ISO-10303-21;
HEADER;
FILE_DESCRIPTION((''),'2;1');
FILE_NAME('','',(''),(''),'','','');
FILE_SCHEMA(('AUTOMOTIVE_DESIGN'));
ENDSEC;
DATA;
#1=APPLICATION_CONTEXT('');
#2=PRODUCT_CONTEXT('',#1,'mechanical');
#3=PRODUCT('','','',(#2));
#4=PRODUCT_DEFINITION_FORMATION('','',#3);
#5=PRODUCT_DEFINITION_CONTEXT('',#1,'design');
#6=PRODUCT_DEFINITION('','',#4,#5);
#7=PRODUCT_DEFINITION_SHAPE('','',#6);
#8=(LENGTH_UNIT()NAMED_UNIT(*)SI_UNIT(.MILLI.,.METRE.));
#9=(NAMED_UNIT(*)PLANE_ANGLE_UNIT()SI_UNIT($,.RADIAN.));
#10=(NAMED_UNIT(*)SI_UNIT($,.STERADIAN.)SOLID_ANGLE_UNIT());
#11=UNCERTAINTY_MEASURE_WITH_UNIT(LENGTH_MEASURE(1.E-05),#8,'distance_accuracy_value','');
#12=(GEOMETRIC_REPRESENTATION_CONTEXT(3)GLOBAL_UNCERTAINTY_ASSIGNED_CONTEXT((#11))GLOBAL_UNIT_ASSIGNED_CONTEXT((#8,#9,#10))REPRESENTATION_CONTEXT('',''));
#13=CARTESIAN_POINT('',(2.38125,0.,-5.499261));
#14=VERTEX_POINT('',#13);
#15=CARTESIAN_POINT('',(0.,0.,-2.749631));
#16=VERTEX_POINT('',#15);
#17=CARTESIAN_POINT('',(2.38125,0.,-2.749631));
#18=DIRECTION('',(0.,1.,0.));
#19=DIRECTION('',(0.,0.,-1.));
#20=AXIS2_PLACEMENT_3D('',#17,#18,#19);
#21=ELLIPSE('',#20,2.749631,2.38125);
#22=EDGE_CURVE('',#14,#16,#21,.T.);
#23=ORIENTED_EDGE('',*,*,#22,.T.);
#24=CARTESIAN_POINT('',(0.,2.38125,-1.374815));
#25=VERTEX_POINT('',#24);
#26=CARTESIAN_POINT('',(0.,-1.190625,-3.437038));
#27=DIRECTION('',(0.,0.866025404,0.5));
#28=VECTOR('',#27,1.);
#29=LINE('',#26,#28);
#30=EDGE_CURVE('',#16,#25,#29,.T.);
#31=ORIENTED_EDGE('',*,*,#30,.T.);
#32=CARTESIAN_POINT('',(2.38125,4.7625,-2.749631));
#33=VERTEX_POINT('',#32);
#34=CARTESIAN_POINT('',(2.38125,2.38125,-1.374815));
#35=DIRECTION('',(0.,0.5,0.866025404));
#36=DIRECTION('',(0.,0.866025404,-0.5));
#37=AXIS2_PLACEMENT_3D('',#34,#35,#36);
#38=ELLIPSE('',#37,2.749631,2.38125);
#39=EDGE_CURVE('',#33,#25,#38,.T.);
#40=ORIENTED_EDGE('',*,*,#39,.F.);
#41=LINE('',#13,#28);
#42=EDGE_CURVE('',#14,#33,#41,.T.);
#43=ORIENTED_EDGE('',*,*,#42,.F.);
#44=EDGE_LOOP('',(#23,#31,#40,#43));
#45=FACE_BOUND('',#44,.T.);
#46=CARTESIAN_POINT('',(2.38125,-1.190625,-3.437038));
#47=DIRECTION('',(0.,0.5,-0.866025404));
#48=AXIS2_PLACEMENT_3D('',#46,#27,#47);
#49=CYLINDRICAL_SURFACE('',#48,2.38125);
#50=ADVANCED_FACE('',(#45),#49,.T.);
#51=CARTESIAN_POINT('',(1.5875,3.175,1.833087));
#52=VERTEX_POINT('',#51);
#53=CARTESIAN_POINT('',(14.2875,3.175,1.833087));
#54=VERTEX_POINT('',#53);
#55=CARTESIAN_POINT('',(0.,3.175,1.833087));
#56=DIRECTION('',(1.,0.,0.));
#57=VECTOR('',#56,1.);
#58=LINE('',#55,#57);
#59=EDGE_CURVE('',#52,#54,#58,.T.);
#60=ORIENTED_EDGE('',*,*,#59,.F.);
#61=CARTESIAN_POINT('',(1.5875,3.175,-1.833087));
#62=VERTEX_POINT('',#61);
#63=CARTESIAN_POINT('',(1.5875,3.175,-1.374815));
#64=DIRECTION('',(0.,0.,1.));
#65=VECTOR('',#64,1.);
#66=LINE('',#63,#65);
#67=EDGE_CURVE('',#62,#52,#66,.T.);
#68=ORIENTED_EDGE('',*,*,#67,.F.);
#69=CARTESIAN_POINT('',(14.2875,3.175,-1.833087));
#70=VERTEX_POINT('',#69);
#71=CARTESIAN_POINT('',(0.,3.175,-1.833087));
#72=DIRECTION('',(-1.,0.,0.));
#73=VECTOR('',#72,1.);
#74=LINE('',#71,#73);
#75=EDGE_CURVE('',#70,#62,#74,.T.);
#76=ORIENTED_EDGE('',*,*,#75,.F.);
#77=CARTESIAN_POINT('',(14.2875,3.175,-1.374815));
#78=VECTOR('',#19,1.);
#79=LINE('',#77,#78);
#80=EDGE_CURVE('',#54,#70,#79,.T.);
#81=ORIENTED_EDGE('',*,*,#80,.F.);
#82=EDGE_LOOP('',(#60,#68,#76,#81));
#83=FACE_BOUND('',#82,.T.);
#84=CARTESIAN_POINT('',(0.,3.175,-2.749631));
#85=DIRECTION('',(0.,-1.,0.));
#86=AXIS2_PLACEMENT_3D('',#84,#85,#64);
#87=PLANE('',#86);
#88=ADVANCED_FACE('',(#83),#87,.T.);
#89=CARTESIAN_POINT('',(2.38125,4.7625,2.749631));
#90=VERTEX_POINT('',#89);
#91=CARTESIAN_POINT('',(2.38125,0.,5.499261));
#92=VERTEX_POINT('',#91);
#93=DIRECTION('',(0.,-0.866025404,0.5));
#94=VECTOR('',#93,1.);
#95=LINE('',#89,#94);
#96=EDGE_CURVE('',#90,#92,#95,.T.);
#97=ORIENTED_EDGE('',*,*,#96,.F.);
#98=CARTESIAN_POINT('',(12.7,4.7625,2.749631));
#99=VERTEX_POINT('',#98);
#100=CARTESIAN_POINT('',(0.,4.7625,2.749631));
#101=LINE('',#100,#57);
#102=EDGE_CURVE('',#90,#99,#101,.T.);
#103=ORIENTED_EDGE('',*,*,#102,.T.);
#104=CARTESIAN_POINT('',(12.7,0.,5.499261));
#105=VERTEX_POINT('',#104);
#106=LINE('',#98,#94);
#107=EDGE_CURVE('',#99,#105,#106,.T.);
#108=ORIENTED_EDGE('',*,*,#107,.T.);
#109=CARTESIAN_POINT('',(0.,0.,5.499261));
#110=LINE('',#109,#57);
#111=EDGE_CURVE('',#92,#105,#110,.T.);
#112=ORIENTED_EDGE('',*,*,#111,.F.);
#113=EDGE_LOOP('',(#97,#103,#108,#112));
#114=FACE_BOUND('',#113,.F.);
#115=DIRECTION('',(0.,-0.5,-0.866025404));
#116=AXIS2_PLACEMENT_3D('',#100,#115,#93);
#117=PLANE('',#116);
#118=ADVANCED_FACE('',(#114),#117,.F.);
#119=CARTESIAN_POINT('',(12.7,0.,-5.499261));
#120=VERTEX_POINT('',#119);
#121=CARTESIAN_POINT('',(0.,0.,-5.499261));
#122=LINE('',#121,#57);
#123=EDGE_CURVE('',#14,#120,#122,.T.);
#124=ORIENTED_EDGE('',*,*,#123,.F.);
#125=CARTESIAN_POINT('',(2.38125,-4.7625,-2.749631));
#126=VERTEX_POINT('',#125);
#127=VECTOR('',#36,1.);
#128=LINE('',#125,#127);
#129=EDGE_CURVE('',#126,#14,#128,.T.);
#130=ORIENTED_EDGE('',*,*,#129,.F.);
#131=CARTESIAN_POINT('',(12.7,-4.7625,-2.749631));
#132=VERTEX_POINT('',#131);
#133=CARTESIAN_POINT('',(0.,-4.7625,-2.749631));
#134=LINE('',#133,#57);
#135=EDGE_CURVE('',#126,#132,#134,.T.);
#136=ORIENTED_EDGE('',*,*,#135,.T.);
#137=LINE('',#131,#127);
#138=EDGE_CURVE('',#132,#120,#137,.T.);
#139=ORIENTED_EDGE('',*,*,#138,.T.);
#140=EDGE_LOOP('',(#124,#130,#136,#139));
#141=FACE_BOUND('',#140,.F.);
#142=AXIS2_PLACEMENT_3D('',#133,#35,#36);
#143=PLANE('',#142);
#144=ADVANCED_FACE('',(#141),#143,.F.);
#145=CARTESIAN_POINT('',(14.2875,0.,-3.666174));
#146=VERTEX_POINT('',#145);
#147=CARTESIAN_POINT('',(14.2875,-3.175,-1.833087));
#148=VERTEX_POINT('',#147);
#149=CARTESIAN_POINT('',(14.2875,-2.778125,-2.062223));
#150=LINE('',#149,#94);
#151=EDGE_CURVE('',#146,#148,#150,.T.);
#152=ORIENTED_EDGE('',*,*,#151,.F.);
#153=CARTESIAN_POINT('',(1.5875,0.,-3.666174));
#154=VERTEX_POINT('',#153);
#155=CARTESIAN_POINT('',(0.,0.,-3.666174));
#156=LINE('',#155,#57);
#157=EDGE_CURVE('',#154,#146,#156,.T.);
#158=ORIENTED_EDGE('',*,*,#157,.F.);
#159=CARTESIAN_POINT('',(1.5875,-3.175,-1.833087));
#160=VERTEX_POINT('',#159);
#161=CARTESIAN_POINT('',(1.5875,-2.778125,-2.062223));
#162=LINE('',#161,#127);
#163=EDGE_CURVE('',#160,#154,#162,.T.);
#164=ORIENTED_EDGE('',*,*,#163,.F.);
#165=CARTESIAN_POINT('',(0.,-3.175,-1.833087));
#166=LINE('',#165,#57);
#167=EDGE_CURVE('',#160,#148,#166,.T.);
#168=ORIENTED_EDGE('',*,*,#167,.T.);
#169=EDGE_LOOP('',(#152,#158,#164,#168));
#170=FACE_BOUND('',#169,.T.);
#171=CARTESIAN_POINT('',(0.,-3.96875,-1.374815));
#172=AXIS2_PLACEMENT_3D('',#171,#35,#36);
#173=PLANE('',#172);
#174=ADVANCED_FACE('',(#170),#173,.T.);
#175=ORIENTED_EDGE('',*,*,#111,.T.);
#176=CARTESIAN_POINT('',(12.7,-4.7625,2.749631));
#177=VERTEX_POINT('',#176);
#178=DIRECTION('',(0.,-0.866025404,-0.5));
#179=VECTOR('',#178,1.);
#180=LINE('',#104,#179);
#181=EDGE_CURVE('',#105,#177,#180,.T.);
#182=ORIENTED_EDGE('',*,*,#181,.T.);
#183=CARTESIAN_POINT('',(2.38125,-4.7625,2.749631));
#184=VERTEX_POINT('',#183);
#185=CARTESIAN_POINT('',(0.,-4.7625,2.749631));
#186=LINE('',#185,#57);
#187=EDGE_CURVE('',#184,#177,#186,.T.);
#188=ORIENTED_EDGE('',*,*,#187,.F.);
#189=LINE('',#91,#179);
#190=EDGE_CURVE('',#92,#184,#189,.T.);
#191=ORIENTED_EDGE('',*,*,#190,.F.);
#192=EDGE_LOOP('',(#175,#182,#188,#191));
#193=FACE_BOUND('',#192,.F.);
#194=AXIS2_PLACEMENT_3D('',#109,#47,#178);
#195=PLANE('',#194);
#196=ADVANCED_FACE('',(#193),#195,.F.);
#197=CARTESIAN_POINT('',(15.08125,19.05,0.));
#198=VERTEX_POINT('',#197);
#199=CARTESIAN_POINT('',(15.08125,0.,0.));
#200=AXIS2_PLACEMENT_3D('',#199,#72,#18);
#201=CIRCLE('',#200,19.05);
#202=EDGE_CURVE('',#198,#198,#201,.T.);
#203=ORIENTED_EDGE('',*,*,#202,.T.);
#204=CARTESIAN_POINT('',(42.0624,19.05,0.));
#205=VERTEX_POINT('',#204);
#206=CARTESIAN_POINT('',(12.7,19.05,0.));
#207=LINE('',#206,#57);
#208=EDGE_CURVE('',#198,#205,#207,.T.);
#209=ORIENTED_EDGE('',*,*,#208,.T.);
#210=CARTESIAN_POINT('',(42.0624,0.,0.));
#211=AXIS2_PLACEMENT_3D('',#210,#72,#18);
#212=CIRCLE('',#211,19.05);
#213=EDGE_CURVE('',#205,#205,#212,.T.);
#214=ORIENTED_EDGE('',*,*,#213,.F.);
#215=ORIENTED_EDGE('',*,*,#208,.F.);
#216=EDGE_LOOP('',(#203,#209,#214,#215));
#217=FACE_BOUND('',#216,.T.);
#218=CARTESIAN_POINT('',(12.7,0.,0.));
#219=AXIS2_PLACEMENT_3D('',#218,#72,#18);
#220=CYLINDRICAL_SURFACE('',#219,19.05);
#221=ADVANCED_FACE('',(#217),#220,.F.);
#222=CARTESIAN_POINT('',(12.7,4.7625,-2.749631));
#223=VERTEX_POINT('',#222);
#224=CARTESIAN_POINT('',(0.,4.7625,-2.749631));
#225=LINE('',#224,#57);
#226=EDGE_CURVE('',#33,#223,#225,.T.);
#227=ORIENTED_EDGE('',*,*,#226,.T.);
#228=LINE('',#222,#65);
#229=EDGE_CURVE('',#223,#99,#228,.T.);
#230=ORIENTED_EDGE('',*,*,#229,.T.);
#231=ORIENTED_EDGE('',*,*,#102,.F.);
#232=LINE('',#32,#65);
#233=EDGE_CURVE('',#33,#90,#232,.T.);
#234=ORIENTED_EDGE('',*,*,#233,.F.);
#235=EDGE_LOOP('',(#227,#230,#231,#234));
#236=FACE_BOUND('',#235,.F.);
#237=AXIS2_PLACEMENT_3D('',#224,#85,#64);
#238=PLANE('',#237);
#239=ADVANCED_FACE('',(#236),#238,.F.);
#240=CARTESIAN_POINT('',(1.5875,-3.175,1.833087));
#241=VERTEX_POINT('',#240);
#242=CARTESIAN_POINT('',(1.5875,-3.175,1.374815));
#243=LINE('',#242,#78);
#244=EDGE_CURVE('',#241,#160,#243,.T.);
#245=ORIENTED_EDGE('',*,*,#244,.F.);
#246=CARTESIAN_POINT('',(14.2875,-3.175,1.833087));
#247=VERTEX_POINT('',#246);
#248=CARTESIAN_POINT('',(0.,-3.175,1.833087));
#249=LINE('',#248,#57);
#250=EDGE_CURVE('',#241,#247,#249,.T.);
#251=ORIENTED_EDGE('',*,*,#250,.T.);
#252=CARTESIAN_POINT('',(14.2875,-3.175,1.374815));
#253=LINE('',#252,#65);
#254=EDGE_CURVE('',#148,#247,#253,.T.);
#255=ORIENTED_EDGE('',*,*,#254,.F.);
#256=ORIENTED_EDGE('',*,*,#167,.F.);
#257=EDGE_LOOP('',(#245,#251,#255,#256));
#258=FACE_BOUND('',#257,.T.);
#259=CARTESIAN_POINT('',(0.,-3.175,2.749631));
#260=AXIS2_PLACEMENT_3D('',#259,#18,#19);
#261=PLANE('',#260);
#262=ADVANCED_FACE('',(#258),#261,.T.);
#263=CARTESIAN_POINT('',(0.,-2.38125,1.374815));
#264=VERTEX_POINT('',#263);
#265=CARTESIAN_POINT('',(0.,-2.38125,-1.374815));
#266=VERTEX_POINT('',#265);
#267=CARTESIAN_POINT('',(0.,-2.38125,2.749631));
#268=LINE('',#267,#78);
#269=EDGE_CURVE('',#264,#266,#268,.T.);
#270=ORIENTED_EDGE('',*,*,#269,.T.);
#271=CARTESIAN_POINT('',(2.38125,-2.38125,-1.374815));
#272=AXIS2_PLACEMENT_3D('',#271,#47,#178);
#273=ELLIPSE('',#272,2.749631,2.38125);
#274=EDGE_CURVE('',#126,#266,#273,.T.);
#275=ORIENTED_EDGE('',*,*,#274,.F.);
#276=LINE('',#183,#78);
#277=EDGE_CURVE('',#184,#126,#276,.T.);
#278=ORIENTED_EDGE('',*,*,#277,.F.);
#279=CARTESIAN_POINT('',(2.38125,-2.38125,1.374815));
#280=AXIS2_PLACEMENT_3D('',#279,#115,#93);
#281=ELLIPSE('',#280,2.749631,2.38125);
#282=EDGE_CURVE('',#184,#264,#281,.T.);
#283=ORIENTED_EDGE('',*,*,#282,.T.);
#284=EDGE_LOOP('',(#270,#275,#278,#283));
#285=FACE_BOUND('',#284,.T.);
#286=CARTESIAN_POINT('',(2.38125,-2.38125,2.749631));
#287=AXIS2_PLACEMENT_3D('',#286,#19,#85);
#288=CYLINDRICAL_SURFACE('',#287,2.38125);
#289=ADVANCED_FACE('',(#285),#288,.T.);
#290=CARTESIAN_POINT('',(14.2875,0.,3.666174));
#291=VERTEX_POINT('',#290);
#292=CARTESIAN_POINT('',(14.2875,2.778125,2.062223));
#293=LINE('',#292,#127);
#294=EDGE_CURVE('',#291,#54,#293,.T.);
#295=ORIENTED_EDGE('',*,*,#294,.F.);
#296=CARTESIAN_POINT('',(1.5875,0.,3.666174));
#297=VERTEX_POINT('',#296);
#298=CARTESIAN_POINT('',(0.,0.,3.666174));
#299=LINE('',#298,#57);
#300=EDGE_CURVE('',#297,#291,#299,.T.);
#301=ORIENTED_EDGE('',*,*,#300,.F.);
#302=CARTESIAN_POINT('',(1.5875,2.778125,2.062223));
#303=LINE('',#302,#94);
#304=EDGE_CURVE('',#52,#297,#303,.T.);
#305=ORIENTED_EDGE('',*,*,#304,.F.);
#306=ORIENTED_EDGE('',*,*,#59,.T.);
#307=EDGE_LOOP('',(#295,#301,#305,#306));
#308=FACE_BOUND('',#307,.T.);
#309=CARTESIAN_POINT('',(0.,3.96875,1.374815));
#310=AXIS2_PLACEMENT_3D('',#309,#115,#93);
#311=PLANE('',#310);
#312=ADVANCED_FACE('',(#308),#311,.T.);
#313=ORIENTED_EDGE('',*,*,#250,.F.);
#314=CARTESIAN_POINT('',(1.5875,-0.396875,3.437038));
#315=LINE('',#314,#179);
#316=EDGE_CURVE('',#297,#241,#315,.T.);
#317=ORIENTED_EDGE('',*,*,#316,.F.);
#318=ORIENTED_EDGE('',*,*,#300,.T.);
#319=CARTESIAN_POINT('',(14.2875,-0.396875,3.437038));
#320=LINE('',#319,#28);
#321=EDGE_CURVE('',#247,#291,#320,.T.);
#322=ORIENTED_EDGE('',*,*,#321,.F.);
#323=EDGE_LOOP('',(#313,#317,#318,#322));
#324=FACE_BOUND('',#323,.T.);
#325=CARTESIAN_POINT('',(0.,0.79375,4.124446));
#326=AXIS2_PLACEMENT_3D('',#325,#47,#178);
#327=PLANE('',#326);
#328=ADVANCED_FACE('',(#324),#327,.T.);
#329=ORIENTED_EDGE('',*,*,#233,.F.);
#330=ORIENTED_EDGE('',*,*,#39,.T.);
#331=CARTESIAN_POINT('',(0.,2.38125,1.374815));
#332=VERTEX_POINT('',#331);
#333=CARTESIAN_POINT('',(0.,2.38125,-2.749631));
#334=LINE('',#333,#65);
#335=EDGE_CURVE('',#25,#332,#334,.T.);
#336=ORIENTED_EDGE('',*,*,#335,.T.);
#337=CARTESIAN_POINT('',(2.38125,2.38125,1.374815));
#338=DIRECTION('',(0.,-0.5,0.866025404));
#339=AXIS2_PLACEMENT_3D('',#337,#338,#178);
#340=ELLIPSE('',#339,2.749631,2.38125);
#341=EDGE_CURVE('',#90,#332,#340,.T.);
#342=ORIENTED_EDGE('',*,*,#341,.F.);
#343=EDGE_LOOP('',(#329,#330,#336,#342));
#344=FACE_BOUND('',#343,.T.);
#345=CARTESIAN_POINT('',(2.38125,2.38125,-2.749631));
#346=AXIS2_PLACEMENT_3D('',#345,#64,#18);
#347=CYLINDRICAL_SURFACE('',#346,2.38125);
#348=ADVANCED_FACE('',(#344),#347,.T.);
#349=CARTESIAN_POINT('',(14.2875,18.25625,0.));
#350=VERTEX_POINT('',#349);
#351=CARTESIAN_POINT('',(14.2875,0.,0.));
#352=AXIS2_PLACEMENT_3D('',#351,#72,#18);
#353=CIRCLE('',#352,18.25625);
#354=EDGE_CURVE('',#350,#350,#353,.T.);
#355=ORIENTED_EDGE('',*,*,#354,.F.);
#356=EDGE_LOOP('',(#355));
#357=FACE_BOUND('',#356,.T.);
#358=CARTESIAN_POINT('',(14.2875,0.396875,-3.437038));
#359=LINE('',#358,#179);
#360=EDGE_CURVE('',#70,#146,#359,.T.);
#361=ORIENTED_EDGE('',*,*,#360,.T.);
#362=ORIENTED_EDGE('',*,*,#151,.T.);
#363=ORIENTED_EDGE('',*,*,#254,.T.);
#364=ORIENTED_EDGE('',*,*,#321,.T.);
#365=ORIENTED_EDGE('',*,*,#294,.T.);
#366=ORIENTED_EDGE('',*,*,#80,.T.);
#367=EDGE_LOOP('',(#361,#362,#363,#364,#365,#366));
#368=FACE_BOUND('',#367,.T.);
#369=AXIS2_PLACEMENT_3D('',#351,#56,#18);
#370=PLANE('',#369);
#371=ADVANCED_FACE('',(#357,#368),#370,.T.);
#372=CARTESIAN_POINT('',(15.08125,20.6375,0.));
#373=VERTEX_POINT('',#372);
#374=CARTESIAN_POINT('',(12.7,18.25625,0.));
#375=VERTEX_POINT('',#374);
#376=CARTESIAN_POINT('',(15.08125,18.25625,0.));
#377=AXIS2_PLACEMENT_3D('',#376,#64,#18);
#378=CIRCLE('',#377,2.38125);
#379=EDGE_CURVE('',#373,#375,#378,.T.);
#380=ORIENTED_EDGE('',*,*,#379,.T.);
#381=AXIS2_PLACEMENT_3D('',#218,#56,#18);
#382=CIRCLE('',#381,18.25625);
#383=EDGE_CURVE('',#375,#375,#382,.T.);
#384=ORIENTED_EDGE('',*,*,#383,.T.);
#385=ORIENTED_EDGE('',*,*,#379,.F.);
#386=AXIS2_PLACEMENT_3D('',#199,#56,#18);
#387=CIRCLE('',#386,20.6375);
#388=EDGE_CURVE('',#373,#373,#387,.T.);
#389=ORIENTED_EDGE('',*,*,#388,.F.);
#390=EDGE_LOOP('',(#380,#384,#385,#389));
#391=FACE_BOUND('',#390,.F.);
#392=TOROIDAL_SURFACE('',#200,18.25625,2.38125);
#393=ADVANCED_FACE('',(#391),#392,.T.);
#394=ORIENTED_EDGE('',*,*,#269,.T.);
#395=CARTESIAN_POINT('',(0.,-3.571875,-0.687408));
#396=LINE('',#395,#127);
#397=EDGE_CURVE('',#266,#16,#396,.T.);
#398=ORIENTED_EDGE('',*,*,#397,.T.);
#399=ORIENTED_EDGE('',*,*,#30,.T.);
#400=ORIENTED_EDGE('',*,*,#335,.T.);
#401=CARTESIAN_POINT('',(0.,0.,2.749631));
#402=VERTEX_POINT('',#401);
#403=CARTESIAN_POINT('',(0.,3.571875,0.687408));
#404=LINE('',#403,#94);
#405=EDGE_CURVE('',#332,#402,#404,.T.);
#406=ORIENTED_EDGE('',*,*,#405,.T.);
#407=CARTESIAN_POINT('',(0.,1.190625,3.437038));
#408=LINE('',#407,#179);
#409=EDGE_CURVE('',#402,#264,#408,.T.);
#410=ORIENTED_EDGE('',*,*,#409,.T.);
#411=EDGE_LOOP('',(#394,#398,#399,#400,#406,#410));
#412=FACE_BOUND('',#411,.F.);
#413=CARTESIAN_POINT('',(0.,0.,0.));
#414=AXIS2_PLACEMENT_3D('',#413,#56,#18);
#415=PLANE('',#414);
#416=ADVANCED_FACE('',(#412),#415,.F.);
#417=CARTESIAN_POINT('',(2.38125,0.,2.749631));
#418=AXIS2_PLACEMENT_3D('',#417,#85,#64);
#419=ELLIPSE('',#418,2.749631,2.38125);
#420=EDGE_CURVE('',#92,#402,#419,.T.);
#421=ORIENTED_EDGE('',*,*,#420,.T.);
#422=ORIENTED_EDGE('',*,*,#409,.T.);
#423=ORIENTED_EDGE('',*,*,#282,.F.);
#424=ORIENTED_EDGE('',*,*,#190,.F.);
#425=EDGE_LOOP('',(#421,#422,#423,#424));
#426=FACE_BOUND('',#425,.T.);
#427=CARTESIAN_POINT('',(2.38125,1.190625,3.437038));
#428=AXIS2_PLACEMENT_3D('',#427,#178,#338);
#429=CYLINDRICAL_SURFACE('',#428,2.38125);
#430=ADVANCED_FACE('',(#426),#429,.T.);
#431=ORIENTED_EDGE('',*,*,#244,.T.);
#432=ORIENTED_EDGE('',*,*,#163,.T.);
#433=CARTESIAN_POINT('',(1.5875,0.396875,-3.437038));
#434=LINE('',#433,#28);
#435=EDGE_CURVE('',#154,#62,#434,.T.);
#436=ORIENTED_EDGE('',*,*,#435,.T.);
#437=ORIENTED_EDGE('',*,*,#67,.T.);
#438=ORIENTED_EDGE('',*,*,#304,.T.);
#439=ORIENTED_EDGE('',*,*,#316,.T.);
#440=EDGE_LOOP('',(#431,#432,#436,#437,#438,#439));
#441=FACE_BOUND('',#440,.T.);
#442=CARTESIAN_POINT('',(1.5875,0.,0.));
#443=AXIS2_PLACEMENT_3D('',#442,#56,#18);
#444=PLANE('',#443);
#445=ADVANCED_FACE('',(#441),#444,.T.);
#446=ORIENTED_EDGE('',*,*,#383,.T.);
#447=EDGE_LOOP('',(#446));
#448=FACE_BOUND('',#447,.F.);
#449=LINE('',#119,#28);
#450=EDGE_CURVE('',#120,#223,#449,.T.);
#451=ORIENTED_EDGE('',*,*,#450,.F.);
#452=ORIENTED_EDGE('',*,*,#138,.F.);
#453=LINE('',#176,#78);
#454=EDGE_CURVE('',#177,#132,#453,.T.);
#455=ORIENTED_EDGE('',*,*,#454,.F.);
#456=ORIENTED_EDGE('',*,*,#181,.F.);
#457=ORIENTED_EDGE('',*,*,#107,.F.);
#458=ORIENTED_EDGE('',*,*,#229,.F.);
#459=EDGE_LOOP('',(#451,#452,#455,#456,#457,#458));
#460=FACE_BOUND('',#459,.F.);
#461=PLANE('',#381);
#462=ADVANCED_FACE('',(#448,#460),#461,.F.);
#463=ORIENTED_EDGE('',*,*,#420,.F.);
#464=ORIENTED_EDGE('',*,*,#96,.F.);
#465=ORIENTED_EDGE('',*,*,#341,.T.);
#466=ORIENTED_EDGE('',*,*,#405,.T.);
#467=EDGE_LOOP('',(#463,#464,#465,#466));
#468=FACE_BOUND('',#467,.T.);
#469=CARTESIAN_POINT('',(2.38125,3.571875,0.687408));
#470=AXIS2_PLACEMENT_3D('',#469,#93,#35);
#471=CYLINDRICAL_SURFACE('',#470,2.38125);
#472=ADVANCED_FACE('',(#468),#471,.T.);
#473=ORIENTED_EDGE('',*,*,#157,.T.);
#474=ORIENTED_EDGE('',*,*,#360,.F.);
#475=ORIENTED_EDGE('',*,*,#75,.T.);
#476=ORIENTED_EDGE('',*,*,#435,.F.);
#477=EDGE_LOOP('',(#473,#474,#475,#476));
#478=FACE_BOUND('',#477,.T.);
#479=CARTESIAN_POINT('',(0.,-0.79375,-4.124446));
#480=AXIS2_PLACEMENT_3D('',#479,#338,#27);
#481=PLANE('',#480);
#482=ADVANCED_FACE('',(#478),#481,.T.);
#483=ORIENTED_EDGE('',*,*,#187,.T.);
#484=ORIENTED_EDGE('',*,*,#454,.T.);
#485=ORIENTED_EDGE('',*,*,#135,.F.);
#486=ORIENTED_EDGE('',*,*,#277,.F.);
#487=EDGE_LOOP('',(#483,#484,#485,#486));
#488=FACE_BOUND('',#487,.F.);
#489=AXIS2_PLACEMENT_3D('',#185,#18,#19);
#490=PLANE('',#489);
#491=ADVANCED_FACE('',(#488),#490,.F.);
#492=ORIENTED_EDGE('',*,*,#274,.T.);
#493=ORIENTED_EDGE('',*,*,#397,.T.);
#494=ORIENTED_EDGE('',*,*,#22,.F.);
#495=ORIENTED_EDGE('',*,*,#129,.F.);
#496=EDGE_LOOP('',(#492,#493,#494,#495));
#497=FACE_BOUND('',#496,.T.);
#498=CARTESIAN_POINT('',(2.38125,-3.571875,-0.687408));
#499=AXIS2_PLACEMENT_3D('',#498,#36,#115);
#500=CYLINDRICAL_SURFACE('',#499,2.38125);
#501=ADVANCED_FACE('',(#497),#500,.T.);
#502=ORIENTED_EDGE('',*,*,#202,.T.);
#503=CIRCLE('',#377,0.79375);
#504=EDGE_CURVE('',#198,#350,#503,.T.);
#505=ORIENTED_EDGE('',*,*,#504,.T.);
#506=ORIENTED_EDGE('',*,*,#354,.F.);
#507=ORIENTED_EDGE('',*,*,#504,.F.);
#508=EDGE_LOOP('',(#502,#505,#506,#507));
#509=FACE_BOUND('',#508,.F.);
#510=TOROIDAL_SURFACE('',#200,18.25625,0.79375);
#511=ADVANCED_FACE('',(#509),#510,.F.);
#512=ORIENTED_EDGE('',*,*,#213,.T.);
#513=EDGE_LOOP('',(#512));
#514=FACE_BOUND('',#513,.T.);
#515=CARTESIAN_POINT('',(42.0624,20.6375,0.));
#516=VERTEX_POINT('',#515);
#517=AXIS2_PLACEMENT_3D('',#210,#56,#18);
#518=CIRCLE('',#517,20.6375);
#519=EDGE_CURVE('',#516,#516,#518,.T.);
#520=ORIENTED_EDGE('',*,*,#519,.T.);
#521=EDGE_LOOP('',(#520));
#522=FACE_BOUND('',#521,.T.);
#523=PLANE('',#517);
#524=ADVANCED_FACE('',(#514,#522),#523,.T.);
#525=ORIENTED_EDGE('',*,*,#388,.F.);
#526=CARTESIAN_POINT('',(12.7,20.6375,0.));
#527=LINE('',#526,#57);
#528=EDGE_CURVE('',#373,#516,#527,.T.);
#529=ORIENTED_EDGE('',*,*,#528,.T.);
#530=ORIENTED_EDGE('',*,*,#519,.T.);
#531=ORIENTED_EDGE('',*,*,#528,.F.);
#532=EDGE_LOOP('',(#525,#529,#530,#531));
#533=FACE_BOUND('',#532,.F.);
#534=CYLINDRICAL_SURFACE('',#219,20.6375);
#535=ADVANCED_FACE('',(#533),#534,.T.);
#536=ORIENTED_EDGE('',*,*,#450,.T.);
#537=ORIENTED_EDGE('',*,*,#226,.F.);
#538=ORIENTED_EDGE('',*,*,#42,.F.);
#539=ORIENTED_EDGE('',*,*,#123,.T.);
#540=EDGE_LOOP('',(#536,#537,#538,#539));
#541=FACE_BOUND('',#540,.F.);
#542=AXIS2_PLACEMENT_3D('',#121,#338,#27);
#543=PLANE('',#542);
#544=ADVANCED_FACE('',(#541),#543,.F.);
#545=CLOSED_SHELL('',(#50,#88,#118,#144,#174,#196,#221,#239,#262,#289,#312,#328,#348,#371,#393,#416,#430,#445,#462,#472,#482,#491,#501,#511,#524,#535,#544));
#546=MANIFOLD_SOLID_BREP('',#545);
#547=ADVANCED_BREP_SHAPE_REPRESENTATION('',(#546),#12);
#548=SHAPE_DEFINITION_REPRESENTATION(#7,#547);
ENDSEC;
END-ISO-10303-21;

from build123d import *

# Parameters (mm, degrees)
F1_DEPTH = 12.7
F2_R     = 20.6375
F3_DEPTH = 29.3624
F4_T     = -1.5875
F5_R     = 0.79375
F6_R     = 2.38125
F7_R     = 2.38125


with BuildPart() as f1:
    # F0 (on Right) → F1 (new body)
    with BuildSketch(Plane.YZ):
        Polygon((4.7625, -2.749630657), (4.7625, 2.749630657), (0, 5.499261314), (-4.7625, 2.749630657), (-4.7625, -2.749630657), (0, -5.499261314), align=None)
    extrude(amount=F1_DEPTH)

    # F2 (on face) → F3 (join)
    with BuildSketch(Plane.YZ.offset(12.7)):
        Circle(F2_R)
    extrude(amount=F3_DEPTH)

    # F4
    f4_openings = [f1.faces().sort_by_distance(p)[0] for p in [
        (42.0624, 0, 0),
    ]]
    offset(amount=F4_T, openings=f4_openings, kind=Kind.INTERSECTION)

    # F5
    f5_edges = [f1.edges().sort_by_distance(p)[0] for p in [
        (14.2875, -19.05, 0),
    ]]
    fillet(f5_edges, radius=F5_R)

    # F6
    f6_edges = [f1.edges().sort_by_distance(p)[0] for p in [
        (12.7, -20.6375, 0),
    ]]
    fillet(f6_edges, radius=F6_R)

    # F7
    f7_edges = [f1.edges().sort_by_distance(p)[0] for p in [
        (0, 2.38125, 4.124446),
        (0, -2.38125, 4.124446),
        (0, -4.7625, 0),
        (0, -2.38125, -4.124446),
        (0, 2.38125, -4.124446),
        (0, 4.7625, 0),
    ]]
    fillet(f7_edges, radius=F7_R)


solid = f1.part
